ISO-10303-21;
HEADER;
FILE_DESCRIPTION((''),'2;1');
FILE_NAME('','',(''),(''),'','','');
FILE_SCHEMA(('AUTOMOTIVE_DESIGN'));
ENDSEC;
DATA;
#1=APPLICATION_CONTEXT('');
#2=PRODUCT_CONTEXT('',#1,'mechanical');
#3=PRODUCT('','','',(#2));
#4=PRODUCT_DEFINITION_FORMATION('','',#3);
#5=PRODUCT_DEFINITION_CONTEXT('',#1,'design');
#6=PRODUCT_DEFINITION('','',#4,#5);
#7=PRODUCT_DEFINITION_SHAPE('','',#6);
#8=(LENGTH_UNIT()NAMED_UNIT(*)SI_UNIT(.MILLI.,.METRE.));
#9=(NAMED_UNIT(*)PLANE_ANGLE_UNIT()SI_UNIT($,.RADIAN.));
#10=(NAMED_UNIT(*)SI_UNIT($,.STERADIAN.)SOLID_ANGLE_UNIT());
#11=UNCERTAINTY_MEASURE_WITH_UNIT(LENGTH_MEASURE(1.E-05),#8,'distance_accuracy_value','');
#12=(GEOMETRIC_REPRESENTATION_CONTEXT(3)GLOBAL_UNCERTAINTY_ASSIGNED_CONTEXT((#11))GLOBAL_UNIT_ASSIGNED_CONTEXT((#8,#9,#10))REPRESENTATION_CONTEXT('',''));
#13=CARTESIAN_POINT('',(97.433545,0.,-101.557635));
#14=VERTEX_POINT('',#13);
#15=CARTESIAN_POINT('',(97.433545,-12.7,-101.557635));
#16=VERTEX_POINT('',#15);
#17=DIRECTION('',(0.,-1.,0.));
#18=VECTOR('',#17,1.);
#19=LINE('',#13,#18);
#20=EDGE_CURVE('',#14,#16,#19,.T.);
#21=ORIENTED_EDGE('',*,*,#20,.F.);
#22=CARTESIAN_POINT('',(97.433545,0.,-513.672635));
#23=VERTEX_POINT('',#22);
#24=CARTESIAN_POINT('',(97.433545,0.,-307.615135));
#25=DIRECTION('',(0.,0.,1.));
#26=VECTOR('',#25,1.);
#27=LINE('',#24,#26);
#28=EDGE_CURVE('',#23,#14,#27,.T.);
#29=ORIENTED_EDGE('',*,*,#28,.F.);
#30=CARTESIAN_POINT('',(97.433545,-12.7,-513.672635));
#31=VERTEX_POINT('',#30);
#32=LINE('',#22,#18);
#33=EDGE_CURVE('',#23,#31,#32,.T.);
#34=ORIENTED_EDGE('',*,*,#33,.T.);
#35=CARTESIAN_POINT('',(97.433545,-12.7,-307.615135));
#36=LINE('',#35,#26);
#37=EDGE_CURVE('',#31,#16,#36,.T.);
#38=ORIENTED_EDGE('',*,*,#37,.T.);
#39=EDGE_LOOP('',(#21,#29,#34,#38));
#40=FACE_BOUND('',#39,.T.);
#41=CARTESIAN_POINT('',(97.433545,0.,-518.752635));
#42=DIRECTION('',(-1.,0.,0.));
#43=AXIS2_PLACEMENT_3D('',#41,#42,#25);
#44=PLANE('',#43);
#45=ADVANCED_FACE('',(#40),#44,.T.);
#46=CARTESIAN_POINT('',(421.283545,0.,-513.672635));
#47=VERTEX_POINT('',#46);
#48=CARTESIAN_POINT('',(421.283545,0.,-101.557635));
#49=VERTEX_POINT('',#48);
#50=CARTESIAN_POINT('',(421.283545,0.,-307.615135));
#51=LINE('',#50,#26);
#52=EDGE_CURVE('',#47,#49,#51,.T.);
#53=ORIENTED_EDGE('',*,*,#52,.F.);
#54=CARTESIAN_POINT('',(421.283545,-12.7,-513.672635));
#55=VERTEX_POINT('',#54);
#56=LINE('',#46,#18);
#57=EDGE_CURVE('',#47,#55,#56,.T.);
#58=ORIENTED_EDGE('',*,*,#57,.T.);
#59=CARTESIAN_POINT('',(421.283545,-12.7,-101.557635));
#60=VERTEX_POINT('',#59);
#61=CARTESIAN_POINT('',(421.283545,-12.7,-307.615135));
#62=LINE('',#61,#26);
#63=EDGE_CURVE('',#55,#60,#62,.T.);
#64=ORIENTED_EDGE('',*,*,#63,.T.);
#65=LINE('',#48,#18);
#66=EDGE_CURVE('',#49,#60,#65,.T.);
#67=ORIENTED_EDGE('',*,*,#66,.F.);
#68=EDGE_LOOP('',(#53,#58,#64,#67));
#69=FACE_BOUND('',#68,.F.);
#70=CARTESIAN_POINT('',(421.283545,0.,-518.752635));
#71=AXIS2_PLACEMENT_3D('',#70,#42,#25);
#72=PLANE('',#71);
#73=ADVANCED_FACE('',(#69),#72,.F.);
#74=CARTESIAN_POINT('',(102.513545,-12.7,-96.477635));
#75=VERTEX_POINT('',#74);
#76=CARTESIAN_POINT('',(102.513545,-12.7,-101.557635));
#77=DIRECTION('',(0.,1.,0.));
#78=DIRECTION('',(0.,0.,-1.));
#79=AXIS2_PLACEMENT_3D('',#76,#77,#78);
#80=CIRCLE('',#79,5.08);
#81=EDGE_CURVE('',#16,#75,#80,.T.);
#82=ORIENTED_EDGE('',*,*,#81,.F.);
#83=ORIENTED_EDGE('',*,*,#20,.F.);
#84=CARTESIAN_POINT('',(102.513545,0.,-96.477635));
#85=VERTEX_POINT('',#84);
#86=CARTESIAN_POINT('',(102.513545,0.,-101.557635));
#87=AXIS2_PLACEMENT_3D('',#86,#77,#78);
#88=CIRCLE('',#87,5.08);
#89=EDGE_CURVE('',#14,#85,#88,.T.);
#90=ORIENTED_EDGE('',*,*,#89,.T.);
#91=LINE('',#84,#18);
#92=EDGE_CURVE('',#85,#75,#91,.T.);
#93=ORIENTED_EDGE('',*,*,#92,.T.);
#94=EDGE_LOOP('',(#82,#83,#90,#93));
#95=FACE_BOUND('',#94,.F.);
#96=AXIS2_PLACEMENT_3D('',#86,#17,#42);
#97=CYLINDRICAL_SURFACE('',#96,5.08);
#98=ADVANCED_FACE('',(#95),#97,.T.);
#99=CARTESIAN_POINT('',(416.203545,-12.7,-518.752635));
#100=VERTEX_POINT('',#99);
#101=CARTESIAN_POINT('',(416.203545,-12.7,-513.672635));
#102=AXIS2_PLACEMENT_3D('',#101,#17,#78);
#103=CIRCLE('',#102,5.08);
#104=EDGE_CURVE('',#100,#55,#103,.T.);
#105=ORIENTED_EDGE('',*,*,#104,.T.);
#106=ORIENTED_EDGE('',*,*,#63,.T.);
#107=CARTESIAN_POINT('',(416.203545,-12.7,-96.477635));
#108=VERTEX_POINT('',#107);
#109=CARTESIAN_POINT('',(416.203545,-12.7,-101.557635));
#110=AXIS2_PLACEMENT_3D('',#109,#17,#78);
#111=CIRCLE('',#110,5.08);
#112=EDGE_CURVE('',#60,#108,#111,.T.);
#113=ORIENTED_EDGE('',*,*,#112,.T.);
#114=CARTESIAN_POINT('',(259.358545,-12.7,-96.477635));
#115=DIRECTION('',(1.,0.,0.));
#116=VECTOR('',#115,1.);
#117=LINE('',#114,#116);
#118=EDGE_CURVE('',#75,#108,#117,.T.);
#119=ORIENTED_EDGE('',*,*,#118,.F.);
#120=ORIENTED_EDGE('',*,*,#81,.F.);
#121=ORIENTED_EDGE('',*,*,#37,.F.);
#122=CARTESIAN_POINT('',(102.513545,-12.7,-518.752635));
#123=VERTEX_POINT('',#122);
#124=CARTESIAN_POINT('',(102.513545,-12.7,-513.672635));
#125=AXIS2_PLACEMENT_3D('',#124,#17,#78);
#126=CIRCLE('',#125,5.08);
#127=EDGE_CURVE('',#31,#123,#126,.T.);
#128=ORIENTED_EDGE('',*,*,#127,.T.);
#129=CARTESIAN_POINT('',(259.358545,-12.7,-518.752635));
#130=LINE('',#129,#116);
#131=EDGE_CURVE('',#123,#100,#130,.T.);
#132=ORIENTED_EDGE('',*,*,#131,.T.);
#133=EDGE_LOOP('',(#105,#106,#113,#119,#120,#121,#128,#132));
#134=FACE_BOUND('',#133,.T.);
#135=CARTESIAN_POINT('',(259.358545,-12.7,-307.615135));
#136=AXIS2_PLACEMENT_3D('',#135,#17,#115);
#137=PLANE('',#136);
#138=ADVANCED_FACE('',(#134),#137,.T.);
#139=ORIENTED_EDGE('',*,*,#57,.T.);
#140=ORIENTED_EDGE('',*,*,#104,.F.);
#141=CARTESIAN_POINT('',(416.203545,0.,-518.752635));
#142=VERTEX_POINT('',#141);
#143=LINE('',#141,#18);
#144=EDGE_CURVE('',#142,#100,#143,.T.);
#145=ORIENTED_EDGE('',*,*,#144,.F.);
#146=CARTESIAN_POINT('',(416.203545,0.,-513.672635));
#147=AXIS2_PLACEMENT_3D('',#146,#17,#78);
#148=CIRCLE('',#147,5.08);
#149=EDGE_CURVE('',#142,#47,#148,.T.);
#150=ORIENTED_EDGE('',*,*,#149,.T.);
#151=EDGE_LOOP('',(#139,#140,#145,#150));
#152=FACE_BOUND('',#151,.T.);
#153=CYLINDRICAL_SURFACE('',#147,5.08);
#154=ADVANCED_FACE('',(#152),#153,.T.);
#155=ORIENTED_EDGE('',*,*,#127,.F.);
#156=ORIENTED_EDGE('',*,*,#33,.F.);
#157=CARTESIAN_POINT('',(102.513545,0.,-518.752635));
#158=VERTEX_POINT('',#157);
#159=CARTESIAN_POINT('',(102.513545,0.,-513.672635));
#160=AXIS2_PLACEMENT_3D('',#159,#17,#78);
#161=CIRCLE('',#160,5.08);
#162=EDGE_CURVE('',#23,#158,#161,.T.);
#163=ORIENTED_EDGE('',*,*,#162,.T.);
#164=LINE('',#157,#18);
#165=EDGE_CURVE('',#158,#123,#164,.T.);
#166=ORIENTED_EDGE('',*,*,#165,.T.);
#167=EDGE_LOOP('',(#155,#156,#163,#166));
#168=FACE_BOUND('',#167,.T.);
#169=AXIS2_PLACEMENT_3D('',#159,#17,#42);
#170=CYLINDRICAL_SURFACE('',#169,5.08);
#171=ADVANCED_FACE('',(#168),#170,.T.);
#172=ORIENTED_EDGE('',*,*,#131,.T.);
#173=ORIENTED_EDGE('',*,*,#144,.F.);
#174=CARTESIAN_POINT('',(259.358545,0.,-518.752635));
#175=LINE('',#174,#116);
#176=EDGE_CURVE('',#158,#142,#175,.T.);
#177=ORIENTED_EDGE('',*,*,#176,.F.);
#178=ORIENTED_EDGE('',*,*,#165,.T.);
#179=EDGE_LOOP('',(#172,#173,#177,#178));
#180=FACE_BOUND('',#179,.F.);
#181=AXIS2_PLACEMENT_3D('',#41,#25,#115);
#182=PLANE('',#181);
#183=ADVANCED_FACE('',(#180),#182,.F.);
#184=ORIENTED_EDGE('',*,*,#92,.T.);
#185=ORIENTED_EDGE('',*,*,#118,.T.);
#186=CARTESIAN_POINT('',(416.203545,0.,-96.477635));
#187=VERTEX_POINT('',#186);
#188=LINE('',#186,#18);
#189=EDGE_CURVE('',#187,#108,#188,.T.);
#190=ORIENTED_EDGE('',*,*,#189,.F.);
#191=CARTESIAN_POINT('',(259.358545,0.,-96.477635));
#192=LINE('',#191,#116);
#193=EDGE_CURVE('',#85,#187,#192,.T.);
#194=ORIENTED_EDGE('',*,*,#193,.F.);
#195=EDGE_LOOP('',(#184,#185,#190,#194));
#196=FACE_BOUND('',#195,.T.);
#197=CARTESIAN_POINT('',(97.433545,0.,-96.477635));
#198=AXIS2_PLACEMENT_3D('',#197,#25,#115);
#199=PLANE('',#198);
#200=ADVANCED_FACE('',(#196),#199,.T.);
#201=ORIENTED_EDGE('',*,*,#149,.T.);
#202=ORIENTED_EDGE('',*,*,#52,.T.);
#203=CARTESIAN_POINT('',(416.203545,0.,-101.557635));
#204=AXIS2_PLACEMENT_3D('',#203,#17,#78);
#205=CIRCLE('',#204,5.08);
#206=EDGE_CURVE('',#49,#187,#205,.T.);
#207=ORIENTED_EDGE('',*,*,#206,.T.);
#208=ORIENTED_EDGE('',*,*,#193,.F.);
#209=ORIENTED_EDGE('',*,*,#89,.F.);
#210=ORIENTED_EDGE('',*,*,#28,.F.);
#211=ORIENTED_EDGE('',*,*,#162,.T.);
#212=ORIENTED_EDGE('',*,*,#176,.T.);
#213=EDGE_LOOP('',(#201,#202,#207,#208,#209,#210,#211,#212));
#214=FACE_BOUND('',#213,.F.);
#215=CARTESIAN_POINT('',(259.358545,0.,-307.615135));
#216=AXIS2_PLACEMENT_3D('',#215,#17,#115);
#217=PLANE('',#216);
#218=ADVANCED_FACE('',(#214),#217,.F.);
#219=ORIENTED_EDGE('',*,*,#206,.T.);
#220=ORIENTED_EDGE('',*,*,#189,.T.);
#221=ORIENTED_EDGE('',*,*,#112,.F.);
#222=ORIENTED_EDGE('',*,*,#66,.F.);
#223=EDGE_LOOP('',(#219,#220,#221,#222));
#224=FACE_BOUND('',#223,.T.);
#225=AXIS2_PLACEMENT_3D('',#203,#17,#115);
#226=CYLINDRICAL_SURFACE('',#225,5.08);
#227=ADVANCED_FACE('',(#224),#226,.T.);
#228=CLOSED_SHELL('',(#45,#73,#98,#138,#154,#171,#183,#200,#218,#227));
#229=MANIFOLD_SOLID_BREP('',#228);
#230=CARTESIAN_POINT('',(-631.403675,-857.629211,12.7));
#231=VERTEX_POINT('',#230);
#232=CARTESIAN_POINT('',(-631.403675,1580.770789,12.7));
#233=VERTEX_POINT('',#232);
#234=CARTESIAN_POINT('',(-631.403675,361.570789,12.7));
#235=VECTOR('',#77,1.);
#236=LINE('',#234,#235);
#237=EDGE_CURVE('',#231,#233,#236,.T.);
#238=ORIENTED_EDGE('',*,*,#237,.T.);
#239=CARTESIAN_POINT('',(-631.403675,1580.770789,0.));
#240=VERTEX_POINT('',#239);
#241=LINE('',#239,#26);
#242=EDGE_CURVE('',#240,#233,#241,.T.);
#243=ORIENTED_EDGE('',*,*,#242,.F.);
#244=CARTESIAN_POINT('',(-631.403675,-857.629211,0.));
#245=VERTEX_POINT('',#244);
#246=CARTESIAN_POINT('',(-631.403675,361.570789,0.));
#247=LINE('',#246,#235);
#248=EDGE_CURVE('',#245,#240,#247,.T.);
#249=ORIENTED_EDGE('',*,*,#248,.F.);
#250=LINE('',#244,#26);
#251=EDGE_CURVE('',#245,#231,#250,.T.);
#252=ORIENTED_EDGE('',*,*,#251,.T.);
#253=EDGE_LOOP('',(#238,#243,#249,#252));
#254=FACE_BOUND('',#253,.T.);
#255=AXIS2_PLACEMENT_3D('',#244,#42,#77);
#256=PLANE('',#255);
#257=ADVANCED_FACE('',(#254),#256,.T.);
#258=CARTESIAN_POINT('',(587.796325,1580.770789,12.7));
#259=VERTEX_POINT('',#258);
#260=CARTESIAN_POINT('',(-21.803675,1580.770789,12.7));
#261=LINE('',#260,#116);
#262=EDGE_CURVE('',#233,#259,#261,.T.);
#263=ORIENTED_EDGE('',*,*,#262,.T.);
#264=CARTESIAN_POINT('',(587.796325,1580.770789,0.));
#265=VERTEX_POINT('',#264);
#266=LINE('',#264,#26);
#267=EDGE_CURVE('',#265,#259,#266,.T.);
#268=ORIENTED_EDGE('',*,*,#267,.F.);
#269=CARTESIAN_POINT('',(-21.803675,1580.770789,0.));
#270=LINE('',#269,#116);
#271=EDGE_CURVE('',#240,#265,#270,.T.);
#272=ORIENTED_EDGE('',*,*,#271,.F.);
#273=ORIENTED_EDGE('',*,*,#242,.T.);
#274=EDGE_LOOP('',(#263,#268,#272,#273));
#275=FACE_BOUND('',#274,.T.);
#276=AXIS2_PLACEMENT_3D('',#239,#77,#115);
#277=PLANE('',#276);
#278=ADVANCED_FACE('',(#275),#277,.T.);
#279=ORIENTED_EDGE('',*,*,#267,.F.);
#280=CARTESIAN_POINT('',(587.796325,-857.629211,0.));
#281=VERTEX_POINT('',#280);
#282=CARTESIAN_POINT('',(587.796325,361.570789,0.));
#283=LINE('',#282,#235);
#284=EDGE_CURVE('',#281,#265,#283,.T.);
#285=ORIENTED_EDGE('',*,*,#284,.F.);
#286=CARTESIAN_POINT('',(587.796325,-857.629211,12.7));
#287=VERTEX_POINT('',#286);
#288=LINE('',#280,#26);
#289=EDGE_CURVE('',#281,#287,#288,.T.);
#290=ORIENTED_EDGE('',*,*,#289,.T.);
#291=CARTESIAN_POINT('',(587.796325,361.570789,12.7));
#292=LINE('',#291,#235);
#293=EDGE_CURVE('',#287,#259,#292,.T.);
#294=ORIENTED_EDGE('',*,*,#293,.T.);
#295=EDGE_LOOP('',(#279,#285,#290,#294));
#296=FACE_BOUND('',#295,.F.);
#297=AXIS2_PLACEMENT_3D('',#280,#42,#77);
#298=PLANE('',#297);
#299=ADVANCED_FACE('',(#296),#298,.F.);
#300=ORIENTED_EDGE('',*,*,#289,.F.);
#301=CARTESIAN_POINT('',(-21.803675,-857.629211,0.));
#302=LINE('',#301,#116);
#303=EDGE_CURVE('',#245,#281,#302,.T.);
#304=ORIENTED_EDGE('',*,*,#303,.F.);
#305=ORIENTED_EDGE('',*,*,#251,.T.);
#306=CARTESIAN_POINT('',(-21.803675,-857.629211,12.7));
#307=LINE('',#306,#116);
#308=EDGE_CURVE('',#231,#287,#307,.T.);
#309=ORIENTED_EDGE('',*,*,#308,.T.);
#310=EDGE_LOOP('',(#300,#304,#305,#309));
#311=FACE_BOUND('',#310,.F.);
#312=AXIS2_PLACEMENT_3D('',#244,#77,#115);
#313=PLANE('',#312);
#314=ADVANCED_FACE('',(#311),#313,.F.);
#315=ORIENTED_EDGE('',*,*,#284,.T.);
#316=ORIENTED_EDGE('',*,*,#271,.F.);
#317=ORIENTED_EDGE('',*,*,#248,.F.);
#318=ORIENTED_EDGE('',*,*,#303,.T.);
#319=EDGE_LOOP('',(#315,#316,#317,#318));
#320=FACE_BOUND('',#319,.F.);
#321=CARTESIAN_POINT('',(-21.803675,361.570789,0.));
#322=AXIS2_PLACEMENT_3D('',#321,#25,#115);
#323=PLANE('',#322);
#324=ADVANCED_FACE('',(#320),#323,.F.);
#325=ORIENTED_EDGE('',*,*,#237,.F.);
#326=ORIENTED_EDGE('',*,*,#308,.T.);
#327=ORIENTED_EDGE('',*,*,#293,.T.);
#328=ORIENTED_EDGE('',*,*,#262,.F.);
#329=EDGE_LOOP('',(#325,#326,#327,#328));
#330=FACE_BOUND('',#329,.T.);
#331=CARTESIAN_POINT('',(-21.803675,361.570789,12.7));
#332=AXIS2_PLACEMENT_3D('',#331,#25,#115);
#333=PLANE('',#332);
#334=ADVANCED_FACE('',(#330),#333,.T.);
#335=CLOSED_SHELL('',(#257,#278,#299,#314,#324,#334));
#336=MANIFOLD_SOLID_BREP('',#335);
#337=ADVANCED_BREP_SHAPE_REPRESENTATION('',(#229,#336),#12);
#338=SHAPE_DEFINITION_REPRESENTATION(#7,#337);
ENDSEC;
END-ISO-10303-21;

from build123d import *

# Parameters (mm, degrees)
F0_W     = 1219.2
F0_H     = 2438.4
F1_DEPTH = 12.7
F2_W     = 323.85
F2_H     = 422.275
F3_DEPTH = 12.7
F4_R     = 5.08


with BuildPart() as f1:
    # F0 (on Top) → F1 (new body)
    with BuildSketch(Plane.XY):
        with Locations((-21.803675, 361.570789)):
            Rectangle(F0_W, F0_H)
    extrude(amount=F1_DEPTH)


with BuildPart() as f3:
    # F2 (on Front) → F3 (new body)
    with BuildSketch(Plane.XZ):
        with Locations((259.358545, -307.615135)):
            Rectangle(F2_W, F2_H)
    extrude(amount=F3_DEPTH)

    # F4
    f4_edges = [f3.edges().sort_by_distance(p)[0] for p in [
        (421.283545, -6.35, -518.752635),
        (97.433545, -6.35, -518.752635),
        (97.433545, -6.35, -96.477635),
        (421.283545, -6.35, -96.477635),
    ]]
    fillet(f4_edges, radius=F4_R)


solid = Compound([f1.part, f3.part])
